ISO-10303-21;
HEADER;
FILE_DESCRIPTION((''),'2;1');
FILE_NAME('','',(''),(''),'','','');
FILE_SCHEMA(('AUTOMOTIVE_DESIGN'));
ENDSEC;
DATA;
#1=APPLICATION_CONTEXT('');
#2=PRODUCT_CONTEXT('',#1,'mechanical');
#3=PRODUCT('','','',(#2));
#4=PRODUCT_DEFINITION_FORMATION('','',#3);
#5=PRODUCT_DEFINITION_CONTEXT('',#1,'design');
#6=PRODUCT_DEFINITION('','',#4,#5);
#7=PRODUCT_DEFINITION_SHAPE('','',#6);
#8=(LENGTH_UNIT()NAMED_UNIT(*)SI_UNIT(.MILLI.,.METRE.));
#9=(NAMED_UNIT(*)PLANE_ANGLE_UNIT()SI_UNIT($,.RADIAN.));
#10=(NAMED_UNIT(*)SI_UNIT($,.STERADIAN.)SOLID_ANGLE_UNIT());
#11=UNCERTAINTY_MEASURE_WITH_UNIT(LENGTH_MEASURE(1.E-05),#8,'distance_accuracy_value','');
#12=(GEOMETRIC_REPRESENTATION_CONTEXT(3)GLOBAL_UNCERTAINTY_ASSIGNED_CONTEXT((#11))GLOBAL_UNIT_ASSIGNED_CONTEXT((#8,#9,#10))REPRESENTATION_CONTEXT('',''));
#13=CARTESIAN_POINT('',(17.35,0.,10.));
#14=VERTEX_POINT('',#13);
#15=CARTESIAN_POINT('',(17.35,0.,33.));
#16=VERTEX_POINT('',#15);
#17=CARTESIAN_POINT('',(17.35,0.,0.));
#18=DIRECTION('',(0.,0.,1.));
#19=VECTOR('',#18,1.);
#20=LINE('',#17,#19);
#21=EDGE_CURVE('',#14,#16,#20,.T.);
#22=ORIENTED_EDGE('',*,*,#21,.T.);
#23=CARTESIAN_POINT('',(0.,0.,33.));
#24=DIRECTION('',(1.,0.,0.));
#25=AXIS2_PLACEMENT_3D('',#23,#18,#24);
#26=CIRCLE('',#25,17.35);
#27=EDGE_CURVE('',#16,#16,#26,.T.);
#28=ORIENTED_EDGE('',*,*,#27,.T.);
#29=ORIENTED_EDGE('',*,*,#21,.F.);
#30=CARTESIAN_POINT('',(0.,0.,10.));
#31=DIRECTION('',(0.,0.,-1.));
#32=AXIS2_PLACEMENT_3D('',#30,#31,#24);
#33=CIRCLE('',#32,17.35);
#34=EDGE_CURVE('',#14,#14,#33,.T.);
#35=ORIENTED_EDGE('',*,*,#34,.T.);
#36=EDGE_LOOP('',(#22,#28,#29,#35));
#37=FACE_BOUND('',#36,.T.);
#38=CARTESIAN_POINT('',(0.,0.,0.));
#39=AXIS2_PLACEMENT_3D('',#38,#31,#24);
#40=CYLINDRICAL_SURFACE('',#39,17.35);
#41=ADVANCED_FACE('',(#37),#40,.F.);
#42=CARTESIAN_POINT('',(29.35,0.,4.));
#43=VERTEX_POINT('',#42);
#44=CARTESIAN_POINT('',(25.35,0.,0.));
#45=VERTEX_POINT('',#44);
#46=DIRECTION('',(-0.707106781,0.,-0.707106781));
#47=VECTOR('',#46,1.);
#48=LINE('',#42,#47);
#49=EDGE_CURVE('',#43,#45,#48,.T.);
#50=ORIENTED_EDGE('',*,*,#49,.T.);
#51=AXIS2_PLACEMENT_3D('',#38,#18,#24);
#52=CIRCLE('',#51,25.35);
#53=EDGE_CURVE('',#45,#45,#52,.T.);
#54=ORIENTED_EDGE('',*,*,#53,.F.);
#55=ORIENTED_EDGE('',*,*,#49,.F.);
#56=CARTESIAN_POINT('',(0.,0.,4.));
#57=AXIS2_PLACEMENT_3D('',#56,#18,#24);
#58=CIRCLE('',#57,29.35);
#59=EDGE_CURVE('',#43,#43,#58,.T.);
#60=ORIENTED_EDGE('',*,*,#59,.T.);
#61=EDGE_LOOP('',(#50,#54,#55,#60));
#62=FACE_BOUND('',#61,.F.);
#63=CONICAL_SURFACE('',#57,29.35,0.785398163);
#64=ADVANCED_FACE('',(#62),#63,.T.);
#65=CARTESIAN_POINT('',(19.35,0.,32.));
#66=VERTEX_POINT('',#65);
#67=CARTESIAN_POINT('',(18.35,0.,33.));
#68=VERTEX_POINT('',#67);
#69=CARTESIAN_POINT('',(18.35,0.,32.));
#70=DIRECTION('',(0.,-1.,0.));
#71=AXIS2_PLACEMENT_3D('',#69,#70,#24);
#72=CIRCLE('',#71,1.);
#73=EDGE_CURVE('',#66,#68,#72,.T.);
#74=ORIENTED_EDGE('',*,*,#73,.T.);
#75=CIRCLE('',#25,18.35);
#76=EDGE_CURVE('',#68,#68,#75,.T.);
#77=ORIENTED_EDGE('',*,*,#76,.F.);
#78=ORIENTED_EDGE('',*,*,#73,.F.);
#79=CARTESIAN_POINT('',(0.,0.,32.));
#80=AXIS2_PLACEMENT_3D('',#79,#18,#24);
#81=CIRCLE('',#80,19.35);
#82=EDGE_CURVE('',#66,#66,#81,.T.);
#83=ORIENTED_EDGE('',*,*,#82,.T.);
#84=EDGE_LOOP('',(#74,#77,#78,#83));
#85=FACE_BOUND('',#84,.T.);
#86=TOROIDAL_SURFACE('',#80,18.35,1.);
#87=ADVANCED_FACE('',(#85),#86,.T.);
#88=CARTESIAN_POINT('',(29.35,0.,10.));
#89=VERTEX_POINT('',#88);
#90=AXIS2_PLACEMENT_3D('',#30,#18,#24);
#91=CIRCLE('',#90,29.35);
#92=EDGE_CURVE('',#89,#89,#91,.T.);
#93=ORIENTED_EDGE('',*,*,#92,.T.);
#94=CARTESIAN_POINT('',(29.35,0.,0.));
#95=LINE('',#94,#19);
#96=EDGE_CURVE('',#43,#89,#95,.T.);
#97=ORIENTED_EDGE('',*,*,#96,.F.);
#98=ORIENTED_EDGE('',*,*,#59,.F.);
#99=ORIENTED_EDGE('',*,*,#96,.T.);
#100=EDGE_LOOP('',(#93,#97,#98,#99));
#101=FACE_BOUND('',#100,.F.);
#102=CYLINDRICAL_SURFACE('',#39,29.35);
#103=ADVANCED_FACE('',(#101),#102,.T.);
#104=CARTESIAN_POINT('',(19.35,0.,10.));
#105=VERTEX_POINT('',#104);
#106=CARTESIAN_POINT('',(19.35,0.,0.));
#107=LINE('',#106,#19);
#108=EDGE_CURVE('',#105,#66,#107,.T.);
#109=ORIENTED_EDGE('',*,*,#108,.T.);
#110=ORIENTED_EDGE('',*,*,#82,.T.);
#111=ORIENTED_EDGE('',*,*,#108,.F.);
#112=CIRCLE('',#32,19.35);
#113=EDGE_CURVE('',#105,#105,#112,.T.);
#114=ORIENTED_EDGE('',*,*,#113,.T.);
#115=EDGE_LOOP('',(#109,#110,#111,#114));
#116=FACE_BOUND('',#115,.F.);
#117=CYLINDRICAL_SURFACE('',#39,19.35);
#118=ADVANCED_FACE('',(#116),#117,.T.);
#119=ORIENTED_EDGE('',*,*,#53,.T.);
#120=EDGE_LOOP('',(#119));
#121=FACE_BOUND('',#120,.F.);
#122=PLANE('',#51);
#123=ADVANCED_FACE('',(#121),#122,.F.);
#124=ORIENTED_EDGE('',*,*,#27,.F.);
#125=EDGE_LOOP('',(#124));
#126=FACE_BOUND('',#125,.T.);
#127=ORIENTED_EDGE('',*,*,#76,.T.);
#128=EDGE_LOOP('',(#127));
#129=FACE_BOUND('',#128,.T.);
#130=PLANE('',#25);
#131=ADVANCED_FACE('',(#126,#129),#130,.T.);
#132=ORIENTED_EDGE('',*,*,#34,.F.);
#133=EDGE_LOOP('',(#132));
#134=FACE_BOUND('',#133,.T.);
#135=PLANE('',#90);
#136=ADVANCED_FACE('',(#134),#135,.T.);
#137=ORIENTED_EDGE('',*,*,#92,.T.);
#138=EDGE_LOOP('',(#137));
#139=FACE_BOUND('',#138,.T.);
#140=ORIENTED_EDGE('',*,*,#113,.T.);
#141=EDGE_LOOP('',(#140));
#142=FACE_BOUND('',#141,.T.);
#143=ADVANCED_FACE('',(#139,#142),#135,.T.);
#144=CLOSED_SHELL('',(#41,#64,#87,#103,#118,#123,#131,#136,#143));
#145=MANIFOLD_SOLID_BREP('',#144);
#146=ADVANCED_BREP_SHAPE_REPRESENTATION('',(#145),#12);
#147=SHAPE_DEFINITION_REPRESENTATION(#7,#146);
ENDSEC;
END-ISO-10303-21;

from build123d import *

# Parameters (mm, degrees)
F0_R     = 29.35
F0_R_2   = 19.35
F0_R_3   = 17.35
F1_DEPTH = 10
F2_SIZE  = 4
F3_DEPTH = 33
F4_R     = 1


with BuildPart() as f1:
    # F0 (on Top) → F1 (new body)
    with BuildSketch(Plane.XY):
        Circle(F0_R)
        Circle(F0_R_2, mode=Mode.SUBTRACT)
        Circle(F0_R_2)
        Circle(F0_R_3, mode=Mode.SUBTRACT)
        Circle(F0_R_3)
    extrude(amount=F1_DEPTH)

    # F2
    f2_edges = [f1.edges().sort_by_distance(p)[0] for p in [
        (-29.35, 0, 0),
    ]]
    chamfer(f2_edges, length=F2_SIZE)

    # F0 (on Top) → F3 (join)
    with BuildSketch(Plane.XY):
        Circle(F0_R_2)
        Circle(F0_R_3, mode=Mode.SUBTRACT)
    extrude(amount=F3_DEPTH)

    # F4
    f4_edges = [f1.edges().sort_by_distance(p)[0] for p in [
        (-19.35, 0, 33),
    ]]
    fillet(f4_edges, radius=F4_R)


solid = f1.part
